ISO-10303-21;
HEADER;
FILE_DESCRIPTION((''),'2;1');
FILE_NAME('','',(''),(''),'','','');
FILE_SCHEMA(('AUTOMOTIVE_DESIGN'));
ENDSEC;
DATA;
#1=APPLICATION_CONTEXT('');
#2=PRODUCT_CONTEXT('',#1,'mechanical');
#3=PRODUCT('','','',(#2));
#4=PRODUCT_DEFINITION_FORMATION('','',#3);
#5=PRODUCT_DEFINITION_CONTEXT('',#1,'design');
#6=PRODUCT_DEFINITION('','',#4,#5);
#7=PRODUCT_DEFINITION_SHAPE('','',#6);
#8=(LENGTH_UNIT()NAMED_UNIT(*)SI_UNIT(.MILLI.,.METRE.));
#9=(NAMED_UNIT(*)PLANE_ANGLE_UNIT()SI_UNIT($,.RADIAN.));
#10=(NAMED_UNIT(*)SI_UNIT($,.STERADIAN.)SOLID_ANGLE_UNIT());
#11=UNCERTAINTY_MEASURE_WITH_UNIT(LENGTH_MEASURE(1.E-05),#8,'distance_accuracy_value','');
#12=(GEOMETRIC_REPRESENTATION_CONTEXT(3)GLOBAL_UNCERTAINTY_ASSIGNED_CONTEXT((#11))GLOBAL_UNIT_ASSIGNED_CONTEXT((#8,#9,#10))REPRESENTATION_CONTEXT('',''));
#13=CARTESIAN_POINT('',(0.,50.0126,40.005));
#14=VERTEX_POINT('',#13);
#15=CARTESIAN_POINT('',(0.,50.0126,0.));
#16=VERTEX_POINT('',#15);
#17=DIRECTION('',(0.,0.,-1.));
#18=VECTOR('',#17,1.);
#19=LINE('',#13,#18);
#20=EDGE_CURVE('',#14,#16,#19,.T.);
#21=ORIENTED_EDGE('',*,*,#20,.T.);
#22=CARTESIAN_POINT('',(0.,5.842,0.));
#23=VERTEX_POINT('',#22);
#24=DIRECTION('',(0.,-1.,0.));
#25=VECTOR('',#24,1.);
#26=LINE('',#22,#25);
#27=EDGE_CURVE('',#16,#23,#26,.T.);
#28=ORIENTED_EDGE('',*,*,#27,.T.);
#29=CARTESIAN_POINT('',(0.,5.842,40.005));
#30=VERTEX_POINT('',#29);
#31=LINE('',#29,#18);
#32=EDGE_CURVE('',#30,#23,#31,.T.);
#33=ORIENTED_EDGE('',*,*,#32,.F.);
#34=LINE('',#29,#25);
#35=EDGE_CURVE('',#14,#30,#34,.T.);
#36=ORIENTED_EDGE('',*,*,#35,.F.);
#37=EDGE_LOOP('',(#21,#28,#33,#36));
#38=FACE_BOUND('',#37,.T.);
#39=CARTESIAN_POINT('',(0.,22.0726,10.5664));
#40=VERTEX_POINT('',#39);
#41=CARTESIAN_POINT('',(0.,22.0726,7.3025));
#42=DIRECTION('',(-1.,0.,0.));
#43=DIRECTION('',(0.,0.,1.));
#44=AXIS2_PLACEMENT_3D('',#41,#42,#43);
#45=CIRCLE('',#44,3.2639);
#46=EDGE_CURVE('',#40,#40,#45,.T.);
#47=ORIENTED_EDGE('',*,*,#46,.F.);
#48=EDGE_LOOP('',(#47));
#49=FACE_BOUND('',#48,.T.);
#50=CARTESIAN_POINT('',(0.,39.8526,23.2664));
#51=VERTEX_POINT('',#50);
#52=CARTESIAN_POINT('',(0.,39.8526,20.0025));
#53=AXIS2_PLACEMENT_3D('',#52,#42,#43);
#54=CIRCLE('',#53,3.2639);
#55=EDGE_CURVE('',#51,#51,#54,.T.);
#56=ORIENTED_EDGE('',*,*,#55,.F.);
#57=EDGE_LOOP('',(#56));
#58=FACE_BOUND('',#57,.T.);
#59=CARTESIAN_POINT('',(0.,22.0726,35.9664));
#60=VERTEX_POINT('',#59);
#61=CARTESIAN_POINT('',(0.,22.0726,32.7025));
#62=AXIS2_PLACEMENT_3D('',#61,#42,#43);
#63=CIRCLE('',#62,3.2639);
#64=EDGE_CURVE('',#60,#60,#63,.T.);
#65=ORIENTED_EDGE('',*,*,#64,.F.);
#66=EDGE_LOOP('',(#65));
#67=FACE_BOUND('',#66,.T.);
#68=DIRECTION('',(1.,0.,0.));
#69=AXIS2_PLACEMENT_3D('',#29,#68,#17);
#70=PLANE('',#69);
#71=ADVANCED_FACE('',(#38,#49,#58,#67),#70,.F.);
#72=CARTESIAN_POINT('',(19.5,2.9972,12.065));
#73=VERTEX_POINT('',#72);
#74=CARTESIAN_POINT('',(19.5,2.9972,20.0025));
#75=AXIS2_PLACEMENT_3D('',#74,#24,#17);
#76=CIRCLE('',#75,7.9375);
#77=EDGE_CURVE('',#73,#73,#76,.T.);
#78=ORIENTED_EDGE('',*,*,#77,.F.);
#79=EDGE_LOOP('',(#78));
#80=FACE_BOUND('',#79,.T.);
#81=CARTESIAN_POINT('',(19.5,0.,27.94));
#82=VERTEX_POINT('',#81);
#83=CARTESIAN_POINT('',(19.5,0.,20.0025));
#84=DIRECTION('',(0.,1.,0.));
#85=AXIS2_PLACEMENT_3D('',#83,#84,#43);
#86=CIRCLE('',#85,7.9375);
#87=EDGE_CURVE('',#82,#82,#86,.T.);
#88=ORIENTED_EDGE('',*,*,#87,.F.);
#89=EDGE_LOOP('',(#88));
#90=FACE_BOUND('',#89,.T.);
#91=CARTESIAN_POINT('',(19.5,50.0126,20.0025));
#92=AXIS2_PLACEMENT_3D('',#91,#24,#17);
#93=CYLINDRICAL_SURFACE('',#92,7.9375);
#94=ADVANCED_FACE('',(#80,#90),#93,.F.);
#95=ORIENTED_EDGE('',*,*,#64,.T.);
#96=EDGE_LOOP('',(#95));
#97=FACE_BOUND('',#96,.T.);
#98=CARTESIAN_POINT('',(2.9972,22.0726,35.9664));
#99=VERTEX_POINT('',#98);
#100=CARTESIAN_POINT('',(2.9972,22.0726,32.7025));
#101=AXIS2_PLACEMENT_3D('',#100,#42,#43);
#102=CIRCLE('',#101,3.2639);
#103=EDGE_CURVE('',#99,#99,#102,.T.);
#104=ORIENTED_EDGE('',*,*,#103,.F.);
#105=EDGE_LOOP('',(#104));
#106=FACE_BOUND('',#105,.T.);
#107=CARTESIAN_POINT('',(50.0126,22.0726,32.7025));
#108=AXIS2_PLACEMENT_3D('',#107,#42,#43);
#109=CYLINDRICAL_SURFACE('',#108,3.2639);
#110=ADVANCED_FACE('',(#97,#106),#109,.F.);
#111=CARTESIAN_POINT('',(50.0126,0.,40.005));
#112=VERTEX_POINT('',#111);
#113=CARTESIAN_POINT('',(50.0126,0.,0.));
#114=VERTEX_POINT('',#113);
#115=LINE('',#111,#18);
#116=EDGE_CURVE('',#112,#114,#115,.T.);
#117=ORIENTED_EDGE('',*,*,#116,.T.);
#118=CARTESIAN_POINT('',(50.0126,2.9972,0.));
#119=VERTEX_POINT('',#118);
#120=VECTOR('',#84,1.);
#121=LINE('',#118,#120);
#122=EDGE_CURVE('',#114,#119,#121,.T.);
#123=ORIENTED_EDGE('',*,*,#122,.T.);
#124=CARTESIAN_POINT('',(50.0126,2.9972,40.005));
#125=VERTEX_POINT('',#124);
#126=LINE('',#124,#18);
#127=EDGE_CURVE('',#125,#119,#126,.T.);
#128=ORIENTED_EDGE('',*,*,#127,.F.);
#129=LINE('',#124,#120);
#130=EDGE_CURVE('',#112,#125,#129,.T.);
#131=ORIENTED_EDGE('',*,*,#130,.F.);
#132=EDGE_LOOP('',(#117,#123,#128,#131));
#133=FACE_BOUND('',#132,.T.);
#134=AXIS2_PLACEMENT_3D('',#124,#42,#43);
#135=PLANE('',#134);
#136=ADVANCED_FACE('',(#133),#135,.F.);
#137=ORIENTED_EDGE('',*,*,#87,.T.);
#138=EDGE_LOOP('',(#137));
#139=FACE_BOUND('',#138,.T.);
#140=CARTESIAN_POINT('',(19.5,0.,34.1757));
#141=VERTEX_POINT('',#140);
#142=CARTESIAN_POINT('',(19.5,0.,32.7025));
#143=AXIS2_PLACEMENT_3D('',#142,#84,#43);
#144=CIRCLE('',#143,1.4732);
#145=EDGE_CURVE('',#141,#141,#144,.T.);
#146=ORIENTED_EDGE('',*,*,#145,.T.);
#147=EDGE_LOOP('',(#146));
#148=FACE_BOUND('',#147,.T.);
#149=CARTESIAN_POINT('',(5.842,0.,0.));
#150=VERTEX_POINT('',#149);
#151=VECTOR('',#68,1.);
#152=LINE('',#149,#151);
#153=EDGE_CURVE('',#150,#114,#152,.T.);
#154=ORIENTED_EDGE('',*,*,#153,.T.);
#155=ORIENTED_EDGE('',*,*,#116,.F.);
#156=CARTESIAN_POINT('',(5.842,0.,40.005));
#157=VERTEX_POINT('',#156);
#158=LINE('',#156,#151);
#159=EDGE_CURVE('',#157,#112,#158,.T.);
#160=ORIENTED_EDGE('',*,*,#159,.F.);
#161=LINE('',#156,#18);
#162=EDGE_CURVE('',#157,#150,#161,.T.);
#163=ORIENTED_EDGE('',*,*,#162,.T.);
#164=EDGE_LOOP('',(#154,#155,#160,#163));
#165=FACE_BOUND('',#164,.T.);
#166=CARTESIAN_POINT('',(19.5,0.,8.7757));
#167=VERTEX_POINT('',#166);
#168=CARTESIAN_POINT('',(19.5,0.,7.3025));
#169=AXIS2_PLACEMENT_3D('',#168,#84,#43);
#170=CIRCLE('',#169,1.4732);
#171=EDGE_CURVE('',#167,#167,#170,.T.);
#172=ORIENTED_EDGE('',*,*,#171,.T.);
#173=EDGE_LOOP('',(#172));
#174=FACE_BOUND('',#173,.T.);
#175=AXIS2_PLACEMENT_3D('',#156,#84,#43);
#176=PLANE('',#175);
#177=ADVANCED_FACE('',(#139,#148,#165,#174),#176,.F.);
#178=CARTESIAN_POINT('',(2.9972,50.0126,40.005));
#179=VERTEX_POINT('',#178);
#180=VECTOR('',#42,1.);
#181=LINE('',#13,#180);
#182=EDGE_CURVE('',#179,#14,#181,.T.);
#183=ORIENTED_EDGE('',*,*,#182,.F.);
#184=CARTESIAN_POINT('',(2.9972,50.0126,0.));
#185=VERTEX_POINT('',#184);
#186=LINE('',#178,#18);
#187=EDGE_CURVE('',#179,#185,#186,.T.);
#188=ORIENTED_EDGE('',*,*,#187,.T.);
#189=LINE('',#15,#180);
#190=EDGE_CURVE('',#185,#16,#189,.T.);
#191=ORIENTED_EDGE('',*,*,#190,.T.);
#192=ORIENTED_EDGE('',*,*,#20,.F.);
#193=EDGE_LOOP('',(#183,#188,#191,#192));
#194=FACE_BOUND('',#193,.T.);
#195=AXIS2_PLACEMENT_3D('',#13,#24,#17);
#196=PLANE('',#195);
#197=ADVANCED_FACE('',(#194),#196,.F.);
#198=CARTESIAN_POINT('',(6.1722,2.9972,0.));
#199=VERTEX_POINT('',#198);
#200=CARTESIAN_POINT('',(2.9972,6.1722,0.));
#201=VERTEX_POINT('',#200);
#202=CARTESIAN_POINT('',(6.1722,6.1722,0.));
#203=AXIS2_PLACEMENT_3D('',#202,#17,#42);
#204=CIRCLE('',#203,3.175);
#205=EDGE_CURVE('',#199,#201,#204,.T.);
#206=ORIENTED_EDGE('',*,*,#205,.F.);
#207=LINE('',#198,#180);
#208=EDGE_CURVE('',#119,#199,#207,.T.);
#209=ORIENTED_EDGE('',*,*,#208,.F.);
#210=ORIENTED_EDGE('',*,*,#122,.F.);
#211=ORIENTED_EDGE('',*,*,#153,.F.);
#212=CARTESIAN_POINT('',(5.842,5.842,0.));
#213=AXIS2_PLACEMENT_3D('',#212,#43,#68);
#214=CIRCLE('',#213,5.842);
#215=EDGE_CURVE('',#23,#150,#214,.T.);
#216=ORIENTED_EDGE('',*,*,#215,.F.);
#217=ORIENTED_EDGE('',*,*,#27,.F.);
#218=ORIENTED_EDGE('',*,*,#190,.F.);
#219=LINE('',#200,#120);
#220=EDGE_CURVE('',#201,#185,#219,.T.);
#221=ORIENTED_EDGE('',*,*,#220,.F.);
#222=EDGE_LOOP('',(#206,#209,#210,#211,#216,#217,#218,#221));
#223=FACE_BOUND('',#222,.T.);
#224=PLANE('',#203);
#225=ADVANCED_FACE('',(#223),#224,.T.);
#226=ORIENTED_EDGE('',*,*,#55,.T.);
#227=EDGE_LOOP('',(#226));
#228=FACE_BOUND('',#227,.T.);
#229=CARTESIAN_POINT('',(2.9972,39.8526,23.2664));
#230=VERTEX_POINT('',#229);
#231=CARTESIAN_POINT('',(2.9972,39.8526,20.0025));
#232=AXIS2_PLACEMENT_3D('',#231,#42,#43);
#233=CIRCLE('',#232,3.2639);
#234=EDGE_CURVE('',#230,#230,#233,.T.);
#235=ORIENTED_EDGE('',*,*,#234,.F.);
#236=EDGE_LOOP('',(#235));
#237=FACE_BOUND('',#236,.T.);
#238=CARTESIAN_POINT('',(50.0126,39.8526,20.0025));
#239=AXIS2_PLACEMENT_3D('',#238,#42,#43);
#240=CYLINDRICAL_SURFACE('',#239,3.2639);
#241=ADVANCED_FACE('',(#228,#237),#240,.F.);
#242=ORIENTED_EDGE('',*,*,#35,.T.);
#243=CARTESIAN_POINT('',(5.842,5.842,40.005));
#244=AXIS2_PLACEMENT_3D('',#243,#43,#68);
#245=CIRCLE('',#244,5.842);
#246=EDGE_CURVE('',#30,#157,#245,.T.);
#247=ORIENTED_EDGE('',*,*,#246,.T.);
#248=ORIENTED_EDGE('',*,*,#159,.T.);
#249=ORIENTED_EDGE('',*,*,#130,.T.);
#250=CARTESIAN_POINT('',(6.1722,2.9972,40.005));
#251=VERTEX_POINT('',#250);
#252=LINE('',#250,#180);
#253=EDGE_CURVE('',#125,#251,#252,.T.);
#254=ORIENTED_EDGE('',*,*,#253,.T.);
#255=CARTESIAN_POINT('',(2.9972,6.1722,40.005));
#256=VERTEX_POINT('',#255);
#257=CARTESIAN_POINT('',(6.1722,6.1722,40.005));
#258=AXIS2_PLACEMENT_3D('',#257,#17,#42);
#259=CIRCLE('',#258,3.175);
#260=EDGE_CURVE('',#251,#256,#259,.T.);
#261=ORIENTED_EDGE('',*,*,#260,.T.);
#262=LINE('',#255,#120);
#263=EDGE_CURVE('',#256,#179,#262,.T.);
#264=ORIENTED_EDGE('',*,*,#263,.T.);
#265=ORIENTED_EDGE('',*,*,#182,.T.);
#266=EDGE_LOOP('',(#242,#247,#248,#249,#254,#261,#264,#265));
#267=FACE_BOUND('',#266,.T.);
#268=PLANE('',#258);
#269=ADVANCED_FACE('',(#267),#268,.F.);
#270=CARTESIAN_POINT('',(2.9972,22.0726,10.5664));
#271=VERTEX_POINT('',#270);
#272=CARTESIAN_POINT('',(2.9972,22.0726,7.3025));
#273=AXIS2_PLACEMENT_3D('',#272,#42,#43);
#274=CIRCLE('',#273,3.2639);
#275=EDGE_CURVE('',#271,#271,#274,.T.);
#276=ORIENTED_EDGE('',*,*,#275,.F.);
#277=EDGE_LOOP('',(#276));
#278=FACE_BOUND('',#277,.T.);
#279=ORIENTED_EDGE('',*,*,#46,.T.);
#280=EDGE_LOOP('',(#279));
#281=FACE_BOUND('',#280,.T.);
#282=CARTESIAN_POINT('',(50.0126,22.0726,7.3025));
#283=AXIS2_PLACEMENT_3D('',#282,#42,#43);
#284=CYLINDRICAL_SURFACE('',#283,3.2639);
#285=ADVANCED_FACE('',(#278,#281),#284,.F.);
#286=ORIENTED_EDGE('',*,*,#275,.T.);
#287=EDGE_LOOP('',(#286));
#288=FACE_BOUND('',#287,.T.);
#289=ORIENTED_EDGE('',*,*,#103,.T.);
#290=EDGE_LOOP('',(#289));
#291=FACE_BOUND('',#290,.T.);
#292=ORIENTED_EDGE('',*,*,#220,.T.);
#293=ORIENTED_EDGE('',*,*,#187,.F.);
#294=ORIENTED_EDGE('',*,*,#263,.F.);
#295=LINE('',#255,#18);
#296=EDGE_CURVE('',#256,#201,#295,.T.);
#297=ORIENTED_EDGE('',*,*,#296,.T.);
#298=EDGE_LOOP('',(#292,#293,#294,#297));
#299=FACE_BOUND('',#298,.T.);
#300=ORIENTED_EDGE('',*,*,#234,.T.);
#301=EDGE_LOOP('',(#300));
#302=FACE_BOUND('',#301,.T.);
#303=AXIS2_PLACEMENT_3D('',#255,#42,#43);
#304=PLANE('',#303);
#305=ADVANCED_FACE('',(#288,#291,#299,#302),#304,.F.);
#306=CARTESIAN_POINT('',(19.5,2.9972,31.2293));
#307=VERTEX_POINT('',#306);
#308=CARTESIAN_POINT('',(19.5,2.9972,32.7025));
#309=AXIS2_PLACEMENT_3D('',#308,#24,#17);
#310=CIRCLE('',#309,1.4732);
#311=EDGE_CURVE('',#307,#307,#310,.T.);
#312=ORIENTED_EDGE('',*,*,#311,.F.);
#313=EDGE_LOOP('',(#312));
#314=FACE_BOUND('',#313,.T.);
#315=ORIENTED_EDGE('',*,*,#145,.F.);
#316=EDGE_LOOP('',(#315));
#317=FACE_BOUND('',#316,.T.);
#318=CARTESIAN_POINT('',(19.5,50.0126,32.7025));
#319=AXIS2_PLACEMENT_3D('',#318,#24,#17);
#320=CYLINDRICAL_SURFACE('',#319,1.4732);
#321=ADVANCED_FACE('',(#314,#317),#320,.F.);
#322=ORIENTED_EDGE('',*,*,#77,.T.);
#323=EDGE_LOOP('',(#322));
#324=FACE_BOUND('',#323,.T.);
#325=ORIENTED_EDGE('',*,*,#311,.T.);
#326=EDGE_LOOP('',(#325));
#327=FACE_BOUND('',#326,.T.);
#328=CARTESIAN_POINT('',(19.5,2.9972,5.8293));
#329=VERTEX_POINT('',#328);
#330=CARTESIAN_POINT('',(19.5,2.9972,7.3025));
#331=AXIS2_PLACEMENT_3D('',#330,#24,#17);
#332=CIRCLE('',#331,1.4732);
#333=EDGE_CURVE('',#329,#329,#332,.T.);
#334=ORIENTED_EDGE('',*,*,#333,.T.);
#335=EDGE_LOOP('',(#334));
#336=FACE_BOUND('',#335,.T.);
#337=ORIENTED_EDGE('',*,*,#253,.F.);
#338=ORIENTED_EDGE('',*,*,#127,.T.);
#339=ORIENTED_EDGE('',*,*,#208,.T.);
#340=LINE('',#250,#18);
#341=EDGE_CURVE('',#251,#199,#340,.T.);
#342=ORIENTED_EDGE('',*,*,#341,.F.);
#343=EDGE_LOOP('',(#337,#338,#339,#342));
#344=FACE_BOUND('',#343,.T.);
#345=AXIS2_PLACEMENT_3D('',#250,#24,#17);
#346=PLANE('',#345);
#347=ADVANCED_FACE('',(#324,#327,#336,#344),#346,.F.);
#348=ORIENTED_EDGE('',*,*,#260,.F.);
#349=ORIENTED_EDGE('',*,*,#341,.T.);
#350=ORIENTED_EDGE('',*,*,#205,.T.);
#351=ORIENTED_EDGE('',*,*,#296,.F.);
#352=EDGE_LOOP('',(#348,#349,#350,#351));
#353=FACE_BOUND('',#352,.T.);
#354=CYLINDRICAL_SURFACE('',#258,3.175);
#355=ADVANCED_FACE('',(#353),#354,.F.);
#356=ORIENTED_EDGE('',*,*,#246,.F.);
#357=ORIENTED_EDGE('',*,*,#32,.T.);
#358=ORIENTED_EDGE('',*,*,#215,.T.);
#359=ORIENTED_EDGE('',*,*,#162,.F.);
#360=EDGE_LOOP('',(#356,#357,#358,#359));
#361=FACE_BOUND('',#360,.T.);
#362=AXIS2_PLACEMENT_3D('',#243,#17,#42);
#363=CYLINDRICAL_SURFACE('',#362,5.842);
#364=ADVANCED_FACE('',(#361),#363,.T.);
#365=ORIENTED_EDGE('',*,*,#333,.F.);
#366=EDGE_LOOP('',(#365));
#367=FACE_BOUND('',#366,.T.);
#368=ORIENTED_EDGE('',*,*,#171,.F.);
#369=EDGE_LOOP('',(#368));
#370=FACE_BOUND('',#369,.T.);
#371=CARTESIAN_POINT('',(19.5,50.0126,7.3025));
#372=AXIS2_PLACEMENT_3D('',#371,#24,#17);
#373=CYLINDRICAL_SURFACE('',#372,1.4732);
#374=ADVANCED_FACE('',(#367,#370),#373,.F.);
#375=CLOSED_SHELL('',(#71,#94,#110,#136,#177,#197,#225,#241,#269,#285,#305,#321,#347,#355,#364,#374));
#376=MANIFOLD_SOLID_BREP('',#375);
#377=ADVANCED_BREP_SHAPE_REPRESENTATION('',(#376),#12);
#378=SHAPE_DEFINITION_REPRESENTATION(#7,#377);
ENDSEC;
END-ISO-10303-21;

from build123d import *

# Parameters (mm, degrees)
BOSS_EXTRUDE1_DEPTH                = 40.005
F_4_40_FOR_NUT_VERTICAL_DEPTH      = 82.258355524
F_4_40_FOR_NUT_VERTICAL_DEPTH_BACK = 82.258355524
SKETCH3_R                          = 1.4732
SKETCH3_R_2                        = 7.9375
SKETCH4_R                          = 3.2639
F_1_4_20_MOUNTING_DEPTH            = 82.258355524


with BuildPart() as part:
    # Sketch2 → Boss-Extrude1 (new body)
    with BuildSketch(Plane.XY):
        with BuildLine():
            Line((0, 5.842), (0, 50.0126))
            Line((0, 50.0126), (2.9972, 50.0126))
            Line((2.9972, 50.0126), (2.9972, 6.1722))
            ThreePointArc((2.9972, 6.1722), (3.92713597, 3.92713597), (6.1722, 2.9972))
            Line((6.1722, 2.9972), (50.0126, 2.9972))
            Line((50.0126, 2.9972), (50.0126, 0))
            Line((50.0126, 0), (5.842, 0))
            ThreePointArc((5.842, 0), (1.711082184, 1.711082184), (0, 5.842))
        make_face()
    extrude(amount=BOSS_EXTRUDE1_DEPTH)

    # Sketch3 → 4-40 For Nut Vertical (cut, two sides: drawn at the far end of the back side and taken through both)
    with BuildSketch(Plane.XZ.offset(-F_4_40_FOR_NUT_VERTICAL_DEPTH_BACK)):
        with Locations(Location((19.500000116, 32.7025, 0), (0, 0, 270))):
            Circle(SKETCH3_R)
        with Locations(Location((19.500000116, 7.3025, 0), (0, 0, 270))):
            Circle(SKETCH3_R)
        with Locations(Location((19.500000116, 20.0025, 0), (0, 0, 270))):
            Circle(SKETCH3_R_2)
    extrude(amount=F_4_40_FOR_NUT_VERTICAL_DEPTH + F_4_40_FOR_NUT_VERTICAL_DEPTH_BACK, mode=Mode.SUBTRACT)

    # Sketch4 → 1/4-20 Mounting (cut, through all)
    with BuildSketch(Plane.ZY):
        with Locations((7.3025, 22.0726)):
            Circle(SKETCH4_R)
        with Locations((32.7025, 22.0726)):
            Circle(SKETCH4_R)
        with Locations((20.0025, 39.8526)):
            Circle(SKETCH4_R)
    extrude(amount=-F_1_4_20_MOUNTING_DEPTH, mode=Mode.SUBTRACT)


solid = part.part
